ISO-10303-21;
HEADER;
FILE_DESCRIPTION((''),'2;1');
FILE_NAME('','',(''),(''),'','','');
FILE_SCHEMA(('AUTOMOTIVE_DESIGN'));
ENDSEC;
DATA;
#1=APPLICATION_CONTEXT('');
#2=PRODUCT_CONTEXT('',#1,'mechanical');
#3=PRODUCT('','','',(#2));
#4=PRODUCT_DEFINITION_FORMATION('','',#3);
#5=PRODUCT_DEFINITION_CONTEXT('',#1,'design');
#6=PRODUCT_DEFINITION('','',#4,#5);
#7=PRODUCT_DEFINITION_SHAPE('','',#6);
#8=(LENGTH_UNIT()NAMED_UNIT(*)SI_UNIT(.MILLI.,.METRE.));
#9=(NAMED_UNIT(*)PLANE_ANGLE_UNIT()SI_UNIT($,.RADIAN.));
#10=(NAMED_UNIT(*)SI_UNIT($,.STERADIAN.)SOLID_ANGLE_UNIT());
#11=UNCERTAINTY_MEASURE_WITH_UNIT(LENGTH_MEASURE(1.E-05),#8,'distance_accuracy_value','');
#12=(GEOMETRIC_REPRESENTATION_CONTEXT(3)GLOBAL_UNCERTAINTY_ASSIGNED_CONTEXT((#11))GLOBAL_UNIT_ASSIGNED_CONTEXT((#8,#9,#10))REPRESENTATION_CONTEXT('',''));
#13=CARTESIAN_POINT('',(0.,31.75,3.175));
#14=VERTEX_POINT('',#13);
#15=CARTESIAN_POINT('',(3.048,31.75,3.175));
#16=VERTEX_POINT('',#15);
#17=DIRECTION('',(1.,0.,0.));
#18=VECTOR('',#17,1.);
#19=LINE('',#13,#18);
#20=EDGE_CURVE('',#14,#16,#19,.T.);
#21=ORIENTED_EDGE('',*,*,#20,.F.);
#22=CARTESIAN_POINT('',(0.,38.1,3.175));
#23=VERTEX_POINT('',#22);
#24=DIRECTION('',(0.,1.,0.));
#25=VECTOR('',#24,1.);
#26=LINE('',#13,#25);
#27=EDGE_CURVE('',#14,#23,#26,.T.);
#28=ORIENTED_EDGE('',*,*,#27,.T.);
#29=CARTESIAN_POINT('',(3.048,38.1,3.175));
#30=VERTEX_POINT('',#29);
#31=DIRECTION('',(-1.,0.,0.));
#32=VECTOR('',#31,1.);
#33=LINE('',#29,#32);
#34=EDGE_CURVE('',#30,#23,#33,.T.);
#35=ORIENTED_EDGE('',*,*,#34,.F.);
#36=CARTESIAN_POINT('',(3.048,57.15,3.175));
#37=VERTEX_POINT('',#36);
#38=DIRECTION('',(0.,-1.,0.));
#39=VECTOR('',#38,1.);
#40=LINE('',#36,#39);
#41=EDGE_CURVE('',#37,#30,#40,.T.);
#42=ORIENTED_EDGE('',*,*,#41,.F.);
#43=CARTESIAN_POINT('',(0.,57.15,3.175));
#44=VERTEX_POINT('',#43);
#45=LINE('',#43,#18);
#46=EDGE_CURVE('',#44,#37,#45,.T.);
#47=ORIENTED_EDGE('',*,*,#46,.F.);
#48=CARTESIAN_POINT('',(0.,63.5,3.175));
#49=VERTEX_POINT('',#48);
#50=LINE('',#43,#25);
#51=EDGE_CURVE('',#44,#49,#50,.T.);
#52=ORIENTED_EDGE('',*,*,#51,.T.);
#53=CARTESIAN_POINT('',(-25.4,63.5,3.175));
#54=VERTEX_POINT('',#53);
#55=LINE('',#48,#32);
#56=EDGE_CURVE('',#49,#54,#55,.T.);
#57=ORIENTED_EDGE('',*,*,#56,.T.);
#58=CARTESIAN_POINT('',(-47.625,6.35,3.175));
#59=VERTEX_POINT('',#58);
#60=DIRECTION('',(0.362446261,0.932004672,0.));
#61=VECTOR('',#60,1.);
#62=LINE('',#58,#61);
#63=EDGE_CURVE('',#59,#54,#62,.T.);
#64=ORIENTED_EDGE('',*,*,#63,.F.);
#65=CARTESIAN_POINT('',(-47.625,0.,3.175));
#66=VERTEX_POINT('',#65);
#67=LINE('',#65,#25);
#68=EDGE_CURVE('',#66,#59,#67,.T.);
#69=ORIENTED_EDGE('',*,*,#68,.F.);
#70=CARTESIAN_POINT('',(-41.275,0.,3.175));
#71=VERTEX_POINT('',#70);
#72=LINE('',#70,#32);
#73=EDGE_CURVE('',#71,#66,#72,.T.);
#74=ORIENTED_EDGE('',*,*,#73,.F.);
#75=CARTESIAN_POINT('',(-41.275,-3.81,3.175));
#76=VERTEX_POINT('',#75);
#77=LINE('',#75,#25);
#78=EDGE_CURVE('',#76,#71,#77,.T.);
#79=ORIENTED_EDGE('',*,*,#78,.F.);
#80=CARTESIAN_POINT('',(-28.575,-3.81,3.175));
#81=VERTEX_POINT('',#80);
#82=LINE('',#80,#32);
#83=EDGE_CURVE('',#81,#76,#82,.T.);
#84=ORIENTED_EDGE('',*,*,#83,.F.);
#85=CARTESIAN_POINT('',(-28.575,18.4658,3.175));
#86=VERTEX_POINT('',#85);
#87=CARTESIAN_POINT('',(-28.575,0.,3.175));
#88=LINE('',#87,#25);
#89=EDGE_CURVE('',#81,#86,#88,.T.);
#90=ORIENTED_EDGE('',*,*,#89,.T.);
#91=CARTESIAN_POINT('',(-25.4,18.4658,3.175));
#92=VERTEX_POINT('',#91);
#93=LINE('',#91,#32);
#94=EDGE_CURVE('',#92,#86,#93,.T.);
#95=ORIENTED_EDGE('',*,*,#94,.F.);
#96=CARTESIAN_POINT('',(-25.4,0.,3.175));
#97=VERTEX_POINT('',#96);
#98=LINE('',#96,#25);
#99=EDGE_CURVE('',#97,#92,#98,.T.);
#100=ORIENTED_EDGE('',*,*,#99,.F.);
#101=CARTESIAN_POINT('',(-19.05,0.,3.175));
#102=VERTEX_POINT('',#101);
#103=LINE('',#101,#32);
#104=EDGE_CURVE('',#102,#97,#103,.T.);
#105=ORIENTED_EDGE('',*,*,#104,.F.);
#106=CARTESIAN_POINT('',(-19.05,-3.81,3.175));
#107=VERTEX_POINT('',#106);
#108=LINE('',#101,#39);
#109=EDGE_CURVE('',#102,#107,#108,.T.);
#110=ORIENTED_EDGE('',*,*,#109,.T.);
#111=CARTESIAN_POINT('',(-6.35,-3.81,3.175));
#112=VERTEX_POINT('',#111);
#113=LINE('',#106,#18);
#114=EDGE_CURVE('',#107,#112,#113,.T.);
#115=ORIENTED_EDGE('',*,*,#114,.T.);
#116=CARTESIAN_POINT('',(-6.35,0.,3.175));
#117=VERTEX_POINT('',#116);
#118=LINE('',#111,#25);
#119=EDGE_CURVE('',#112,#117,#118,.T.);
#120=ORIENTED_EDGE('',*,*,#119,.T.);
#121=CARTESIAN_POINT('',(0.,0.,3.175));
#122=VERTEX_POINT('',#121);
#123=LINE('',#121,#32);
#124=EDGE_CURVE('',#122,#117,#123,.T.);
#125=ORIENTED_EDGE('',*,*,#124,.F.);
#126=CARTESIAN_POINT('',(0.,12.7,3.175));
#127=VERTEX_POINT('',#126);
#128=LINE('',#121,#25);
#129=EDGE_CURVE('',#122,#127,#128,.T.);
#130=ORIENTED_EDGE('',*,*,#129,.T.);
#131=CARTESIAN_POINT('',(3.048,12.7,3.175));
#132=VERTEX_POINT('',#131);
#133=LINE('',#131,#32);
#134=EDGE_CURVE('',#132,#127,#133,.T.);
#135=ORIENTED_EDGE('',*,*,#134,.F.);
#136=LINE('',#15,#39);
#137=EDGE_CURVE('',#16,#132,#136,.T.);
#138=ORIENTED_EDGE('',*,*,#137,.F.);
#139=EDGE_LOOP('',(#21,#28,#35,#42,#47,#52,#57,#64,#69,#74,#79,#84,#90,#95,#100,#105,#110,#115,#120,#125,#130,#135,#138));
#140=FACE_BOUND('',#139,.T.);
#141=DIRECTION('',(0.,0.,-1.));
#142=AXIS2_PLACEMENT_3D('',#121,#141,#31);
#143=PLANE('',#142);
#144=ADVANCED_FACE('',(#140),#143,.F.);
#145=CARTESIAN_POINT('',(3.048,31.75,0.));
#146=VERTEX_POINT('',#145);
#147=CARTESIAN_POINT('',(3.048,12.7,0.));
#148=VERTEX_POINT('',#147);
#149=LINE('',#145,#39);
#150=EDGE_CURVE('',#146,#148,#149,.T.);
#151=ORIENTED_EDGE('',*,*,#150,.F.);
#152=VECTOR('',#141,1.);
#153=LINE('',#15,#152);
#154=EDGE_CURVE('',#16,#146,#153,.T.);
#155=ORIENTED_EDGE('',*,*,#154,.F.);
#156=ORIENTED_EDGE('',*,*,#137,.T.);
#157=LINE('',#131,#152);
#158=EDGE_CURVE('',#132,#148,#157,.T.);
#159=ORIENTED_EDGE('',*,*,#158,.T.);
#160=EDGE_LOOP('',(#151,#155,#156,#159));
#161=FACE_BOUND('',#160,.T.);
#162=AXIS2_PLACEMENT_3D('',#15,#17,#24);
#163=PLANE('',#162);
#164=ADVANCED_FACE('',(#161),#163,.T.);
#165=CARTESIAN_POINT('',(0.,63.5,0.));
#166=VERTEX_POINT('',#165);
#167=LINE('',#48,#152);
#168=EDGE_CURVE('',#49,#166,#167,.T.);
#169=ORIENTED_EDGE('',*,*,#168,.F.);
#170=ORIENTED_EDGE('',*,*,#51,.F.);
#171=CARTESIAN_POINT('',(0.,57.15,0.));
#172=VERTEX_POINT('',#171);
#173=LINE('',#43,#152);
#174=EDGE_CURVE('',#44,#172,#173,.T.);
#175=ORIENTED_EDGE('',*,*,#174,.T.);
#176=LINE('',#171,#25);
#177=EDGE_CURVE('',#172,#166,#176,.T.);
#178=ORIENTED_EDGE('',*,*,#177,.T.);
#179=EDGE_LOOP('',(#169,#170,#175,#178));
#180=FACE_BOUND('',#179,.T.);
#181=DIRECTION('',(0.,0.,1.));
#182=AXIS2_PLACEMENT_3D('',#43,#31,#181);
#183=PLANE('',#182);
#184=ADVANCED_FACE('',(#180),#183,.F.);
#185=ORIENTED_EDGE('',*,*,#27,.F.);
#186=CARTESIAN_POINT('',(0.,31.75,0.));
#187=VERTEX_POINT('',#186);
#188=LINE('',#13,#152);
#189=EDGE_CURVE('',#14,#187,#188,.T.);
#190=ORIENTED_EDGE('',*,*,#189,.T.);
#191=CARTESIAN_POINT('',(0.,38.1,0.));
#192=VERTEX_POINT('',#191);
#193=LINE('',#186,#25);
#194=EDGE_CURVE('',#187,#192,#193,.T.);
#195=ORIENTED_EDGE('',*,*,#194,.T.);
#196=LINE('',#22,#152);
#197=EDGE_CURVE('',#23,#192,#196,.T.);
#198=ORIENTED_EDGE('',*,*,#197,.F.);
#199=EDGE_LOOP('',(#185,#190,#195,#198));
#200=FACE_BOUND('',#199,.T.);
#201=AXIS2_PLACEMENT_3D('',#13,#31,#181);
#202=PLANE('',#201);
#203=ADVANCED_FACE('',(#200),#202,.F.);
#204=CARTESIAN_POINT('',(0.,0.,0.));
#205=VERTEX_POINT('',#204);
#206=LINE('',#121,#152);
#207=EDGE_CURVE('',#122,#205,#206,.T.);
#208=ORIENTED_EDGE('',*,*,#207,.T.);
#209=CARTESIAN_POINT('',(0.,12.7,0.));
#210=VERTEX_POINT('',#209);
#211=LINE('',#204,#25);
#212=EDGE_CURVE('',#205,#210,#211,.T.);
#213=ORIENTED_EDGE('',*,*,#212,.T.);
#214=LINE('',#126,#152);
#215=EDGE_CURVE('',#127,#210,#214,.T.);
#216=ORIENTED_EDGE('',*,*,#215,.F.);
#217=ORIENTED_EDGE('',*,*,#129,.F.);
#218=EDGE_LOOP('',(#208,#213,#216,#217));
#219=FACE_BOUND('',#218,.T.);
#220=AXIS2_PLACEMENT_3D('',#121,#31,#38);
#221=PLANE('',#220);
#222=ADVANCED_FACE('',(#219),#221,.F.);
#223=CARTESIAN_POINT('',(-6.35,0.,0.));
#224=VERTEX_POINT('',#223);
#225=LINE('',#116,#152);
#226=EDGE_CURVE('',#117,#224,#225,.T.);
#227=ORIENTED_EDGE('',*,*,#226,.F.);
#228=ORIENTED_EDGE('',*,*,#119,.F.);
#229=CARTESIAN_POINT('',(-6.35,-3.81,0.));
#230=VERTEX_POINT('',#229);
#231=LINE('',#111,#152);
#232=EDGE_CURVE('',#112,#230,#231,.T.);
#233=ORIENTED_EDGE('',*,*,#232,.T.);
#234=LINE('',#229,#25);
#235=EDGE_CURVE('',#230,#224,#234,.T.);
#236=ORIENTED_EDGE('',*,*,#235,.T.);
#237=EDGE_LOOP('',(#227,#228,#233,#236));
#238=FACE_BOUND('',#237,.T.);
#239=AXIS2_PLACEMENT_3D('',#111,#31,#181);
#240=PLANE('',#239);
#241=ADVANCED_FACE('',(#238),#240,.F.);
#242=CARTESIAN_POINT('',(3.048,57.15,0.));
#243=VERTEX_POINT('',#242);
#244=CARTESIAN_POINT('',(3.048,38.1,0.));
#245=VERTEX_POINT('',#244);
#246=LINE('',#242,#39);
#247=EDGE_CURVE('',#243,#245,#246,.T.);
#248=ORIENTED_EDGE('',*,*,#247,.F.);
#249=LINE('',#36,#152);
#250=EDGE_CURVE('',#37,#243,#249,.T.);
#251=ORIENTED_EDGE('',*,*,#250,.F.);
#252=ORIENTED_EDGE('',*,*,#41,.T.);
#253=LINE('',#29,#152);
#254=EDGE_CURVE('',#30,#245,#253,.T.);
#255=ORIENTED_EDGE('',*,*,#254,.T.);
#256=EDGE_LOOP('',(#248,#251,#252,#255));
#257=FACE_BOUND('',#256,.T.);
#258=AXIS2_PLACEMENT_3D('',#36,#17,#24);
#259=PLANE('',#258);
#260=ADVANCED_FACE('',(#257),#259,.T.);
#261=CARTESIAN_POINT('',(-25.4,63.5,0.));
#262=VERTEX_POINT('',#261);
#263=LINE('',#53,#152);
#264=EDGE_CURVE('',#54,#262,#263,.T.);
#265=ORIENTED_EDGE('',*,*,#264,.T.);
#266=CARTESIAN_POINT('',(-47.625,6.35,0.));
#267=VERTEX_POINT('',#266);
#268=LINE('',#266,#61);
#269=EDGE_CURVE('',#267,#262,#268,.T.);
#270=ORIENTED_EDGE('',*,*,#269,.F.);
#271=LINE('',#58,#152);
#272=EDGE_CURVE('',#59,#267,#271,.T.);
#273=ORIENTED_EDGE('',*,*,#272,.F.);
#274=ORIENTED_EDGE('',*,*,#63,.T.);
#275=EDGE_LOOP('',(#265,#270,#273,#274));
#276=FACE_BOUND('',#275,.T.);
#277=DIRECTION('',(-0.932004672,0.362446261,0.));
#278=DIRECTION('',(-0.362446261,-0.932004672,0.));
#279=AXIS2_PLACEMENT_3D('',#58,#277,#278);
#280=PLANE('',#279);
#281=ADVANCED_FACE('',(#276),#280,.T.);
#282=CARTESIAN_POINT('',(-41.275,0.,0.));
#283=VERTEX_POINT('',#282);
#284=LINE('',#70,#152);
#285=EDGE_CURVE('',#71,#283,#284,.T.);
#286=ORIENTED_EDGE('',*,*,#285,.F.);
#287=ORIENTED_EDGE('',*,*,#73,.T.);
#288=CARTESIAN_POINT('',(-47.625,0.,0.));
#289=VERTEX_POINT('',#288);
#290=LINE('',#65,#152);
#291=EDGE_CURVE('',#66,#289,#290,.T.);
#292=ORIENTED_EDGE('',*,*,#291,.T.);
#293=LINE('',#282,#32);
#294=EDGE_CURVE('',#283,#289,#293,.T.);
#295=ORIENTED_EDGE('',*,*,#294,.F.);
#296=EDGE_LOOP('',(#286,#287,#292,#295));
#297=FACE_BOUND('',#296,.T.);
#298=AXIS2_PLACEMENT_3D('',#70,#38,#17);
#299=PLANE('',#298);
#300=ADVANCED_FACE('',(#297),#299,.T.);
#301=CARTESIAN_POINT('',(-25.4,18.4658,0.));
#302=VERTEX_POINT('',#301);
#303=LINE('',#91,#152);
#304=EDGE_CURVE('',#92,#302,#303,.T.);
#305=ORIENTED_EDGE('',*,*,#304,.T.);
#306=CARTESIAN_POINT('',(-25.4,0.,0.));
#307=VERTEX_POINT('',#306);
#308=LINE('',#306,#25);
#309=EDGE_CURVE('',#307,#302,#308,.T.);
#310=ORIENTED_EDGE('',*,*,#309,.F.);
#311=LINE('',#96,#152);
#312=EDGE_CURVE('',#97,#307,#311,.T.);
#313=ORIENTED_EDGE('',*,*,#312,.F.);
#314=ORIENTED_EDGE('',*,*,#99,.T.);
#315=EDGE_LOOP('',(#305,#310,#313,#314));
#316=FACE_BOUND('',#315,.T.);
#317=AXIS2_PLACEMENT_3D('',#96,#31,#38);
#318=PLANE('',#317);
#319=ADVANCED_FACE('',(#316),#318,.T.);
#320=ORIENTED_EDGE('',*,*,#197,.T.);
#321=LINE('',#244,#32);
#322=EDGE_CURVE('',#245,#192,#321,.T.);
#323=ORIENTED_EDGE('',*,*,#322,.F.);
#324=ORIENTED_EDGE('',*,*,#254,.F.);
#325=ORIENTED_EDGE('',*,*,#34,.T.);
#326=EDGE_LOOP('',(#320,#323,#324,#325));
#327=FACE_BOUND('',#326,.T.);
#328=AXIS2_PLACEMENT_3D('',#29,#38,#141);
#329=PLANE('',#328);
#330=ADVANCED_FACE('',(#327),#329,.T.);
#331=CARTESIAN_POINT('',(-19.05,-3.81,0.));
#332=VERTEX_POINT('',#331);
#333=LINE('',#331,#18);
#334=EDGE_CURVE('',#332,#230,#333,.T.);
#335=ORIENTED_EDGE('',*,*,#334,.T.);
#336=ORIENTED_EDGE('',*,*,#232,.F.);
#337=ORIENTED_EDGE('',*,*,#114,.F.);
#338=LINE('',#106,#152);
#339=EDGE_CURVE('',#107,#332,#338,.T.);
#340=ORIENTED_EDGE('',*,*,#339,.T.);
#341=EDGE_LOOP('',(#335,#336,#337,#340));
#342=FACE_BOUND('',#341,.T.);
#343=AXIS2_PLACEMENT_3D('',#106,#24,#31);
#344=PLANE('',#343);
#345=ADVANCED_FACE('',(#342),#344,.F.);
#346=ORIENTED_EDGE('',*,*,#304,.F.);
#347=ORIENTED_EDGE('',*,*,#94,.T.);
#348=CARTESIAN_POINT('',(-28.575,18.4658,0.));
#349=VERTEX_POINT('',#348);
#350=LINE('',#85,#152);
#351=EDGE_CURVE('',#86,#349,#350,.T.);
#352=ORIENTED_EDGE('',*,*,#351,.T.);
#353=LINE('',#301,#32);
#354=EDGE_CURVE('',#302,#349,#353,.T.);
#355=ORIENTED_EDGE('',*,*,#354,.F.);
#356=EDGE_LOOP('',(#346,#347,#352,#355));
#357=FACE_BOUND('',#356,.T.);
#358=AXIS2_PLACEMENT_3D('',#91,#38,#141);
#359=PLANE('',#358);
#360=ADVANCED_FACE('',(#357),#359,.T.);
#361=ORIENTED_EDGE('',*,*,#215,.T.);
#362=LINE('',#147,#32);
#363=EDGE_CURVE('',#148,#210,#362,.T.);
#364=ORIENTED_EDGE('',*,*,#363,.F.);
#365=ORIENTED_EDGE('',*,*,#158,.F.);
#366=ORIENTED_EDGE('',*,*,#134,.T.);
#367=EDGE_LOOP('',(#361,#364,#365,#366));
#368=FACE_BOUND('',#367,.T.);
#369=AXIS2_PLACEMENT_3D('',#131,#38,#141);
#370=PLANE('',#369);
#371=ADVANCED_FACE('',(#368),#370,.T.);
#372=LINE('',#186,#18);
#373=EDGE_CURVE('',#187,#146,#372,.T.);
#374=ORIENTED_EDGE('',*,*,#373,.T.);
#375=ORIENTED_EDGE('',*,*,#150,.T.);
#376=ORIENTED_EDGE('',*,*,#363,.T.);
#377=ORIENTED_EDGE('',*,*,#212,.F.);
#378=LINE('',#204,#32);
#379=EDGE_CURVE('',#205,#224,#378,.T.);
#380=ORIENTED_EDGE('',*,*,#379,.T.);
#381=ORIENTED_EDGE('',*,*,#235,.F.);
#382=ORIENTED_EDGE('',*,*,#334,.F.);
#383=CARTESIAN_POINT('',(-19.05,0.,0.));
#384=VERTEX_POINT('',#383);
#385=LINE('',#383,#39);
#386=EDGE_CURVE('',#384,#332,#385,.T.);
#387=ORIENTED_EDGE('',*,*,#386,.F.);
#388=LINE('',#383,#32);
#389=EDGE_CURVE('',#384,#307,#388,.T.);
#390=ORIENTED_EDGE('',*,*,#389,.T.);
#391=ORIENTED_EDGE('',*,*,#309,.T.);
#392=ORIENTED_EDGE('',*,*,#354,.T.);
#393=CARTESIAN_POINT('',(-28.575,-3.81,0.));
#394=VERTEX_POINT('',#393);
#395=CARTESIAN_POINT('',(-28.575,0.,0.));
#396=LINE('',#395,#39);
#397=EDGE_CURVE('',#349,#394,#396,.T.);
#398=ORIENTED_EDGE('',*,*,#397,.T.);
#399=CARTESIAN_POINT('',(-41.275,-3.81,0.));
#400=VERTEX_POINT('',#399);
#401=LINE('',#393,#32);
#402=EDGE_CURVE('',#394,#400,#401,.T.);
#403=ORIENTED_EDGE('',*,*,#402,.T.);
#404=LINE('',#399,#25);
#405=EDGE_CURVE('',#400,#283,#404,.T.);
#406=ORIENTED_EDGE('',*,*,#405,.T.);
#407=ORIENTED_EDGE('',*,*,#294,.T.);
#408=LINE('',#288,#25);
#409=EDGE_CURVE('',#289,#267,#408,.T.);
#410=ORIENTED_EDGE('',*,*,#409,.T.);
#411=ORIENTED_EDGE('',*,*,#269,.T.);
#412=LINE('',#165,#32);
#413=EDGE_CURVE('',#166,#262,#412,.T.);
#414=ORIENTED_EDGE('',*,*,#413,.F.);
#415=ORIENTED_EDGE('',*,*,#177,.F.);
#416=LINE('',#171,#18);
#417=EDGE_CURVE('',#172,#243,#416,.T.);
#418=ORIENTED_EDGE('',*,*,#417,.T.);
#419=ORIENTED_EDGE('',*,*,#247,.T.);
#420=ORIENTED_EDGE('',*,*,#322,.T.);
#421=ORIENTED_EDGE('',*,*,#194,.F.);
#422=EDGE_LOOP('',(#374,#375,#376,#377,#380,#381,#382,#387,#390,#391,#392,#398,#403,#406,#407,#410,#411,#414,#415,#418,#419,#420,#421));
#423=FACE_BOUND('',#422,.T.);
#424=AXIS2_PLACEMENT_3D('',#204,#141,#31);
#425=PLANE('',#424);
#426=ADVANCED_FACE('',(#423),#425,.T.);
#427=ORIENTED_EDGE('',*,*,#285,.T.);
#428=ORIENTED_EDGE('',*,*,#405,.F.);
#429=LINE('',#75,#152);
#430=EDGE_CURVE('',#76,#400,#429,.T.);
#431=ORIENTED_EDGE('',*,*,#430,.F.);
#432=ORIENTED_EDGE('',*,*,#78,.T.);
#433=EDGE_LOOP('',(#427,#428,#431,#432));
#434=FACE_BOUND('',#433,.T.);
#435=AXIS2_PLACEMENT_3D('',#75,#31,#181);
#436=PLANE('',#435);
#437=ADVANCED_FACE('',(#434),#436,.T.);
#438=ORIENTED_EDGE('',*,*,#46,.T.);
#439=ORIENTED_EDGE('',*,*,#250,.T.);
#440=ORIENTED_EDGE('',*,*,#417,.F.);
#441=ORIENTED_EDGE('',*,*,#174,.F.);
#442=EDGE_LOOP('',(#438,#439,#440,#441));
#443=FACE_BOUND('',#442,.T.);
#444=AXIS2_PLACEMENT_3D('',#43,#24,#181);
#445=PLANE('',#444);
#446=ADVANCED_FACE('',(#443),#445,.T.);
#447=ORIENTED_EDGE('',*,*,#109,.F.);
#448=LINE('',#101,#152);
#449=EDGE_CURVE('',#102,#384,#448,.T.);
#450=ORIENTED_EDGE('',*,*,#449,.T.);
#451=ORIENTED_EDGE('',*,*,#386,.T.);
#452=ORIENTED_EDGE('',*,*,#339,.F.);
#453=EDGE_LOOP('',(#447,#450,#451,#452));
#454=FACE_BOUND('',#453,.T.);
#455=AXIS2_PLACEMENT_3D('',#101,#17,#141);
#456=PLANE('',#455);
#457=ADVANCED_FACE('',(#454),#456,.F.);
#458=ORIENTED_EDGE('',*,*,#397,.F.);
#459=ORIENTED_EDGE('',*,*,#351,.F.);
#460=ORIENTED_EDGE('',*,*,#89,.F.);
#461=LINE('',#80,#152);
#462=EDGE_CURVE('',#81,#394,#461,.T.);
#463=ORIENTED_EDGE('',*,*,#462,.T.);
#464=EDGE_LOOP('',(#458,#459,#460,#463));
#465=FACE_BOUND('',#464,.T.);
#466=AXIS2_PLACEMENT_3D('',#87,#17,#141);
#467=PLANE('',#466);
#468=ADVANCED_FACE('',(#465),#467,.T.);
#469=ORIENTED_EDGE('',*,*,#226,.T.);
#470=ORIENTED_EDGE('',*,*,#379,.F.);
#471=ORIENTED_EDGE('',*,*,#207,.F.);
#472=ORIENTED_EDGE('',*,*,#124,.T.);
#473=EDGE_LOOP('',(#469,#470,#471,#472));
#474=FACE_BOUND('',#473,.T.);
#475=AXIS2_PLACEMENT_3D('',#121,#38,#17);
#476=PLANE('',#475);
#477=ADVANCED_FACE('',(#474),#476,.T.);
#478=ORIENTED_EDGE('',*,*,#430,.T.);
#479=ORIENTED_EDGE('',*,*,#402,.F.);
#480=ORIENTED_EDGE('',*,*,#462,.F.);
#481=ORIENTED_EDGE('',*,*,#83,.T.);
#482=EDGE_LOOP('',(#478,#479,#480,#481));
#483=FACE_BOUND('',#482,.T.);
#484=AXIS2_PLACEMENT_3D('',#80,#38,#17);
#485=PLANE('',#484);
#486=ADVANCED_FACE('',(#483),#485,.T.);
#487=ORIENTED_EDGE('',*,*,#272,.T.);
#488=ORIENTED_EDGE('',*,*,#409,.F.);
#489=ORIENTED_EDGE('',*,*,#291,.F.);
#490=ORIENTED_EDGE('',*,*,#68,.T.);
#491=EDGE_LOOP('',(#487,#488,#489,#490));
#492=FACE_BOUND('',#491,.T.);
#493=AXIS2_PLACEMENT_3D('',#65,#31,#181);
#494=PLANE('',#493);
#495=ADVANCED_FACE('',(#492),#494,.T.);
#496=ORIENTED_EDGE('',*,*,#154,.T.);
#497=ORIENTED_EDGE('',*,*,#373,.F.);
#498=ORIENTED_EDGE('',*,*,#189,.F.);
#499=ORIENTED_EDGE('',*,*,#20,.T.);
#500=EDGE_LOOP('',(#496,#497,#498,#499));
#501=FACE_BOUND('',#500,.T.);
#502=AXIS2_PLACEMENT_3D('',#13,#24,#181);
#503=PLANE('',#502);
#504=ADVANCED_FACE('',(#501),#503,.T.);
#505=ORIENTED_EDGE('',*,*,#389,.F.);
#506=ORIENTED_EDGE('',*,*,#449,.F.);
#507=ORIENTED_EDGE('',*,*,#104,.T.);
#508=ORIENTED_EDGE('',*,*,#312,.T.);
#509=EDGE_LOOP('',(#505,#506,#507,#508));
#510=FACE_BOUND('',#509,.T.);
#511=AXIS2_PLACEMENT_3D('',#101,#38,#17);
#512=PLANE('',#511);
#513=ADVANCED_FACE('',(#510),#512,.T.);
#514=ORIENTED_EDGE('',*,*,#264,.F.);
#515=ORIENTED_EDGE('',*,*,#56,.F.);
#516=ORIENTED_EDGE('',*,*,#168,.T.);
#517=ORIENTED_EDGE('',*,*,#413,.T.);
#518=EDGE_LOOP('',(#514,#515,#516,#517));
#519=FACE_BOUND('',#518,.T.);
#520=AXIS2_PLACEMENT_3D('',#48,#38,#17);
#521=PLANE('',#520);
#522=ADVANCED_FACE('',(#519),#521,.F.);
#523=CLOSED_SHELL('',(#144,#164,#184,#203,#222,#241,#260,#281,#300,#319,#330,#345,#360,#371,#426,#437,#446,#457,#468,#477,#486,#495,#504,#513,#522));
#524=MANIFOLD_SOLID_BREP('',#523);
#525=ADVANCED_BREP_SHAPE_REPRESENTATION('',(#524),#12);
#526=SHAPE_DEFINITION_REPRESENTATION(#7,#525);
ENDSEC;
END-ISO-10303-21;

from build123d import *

# Parameters (mm, degrees)
BOSS_EXTRUDE1_DEPTH = 3.175
KERF_DEPTH          = 3.175


with BuildPart() as part:
    # Sketch1 → Boss-Extrude1 (new body)
    with BuildSketch(Plane.XY):
        Polygon((0, 0), (-6.35, 0), (-6.35, -3.81), (-19.05, -3.81), (-19.05, 0), (-25.4, 0), (-25.4, 18.4658), (-28.575, 18.4658), (-28.575, 0), (-28.575, -3.81), (-41.275, -3.81), (-41.275, 0), (-47.625, 0), (-47.625, 6.35), (-25.4, 63.5), (0, 63.5), (0, 57.15), (3.048, 57.15), (3.048, 38.1), (0, 38.1), (0, 31.75), (3.048, 31.75), (3.048, 12.7), (0, 12.7), align=None)
    extrude(amount=BOSS_EXTRUDE1_DEPTH)

    # Sketch2 → kerf (add, through all)
    with BuildSketch(Plane.XY.offset(3.175)):
        Polygon((-25.4, 0), (-19.05, 0), (-19.05, -3.81), (-6.35, -3.81), (-6.35, 0), (0, 0), (0, 12.7), (3.048, 12.7), (3.048, 31.75), (0, 31.75), (0, 38.1), (3.048, 38.1), (3.048, 57.15), (0, 57.15), (0, 63.5), (-25.4, 63.5), (-47.625, 6.35), (-47.625, 0), (-41.275, 0), (-41.275, -3.81), (-28.575, -3.81), (-28.575, 18.4658), (-25.4, 18.4658), align=None)
    extrude(amount=-KERF_DEPTH)


solid = part.part
